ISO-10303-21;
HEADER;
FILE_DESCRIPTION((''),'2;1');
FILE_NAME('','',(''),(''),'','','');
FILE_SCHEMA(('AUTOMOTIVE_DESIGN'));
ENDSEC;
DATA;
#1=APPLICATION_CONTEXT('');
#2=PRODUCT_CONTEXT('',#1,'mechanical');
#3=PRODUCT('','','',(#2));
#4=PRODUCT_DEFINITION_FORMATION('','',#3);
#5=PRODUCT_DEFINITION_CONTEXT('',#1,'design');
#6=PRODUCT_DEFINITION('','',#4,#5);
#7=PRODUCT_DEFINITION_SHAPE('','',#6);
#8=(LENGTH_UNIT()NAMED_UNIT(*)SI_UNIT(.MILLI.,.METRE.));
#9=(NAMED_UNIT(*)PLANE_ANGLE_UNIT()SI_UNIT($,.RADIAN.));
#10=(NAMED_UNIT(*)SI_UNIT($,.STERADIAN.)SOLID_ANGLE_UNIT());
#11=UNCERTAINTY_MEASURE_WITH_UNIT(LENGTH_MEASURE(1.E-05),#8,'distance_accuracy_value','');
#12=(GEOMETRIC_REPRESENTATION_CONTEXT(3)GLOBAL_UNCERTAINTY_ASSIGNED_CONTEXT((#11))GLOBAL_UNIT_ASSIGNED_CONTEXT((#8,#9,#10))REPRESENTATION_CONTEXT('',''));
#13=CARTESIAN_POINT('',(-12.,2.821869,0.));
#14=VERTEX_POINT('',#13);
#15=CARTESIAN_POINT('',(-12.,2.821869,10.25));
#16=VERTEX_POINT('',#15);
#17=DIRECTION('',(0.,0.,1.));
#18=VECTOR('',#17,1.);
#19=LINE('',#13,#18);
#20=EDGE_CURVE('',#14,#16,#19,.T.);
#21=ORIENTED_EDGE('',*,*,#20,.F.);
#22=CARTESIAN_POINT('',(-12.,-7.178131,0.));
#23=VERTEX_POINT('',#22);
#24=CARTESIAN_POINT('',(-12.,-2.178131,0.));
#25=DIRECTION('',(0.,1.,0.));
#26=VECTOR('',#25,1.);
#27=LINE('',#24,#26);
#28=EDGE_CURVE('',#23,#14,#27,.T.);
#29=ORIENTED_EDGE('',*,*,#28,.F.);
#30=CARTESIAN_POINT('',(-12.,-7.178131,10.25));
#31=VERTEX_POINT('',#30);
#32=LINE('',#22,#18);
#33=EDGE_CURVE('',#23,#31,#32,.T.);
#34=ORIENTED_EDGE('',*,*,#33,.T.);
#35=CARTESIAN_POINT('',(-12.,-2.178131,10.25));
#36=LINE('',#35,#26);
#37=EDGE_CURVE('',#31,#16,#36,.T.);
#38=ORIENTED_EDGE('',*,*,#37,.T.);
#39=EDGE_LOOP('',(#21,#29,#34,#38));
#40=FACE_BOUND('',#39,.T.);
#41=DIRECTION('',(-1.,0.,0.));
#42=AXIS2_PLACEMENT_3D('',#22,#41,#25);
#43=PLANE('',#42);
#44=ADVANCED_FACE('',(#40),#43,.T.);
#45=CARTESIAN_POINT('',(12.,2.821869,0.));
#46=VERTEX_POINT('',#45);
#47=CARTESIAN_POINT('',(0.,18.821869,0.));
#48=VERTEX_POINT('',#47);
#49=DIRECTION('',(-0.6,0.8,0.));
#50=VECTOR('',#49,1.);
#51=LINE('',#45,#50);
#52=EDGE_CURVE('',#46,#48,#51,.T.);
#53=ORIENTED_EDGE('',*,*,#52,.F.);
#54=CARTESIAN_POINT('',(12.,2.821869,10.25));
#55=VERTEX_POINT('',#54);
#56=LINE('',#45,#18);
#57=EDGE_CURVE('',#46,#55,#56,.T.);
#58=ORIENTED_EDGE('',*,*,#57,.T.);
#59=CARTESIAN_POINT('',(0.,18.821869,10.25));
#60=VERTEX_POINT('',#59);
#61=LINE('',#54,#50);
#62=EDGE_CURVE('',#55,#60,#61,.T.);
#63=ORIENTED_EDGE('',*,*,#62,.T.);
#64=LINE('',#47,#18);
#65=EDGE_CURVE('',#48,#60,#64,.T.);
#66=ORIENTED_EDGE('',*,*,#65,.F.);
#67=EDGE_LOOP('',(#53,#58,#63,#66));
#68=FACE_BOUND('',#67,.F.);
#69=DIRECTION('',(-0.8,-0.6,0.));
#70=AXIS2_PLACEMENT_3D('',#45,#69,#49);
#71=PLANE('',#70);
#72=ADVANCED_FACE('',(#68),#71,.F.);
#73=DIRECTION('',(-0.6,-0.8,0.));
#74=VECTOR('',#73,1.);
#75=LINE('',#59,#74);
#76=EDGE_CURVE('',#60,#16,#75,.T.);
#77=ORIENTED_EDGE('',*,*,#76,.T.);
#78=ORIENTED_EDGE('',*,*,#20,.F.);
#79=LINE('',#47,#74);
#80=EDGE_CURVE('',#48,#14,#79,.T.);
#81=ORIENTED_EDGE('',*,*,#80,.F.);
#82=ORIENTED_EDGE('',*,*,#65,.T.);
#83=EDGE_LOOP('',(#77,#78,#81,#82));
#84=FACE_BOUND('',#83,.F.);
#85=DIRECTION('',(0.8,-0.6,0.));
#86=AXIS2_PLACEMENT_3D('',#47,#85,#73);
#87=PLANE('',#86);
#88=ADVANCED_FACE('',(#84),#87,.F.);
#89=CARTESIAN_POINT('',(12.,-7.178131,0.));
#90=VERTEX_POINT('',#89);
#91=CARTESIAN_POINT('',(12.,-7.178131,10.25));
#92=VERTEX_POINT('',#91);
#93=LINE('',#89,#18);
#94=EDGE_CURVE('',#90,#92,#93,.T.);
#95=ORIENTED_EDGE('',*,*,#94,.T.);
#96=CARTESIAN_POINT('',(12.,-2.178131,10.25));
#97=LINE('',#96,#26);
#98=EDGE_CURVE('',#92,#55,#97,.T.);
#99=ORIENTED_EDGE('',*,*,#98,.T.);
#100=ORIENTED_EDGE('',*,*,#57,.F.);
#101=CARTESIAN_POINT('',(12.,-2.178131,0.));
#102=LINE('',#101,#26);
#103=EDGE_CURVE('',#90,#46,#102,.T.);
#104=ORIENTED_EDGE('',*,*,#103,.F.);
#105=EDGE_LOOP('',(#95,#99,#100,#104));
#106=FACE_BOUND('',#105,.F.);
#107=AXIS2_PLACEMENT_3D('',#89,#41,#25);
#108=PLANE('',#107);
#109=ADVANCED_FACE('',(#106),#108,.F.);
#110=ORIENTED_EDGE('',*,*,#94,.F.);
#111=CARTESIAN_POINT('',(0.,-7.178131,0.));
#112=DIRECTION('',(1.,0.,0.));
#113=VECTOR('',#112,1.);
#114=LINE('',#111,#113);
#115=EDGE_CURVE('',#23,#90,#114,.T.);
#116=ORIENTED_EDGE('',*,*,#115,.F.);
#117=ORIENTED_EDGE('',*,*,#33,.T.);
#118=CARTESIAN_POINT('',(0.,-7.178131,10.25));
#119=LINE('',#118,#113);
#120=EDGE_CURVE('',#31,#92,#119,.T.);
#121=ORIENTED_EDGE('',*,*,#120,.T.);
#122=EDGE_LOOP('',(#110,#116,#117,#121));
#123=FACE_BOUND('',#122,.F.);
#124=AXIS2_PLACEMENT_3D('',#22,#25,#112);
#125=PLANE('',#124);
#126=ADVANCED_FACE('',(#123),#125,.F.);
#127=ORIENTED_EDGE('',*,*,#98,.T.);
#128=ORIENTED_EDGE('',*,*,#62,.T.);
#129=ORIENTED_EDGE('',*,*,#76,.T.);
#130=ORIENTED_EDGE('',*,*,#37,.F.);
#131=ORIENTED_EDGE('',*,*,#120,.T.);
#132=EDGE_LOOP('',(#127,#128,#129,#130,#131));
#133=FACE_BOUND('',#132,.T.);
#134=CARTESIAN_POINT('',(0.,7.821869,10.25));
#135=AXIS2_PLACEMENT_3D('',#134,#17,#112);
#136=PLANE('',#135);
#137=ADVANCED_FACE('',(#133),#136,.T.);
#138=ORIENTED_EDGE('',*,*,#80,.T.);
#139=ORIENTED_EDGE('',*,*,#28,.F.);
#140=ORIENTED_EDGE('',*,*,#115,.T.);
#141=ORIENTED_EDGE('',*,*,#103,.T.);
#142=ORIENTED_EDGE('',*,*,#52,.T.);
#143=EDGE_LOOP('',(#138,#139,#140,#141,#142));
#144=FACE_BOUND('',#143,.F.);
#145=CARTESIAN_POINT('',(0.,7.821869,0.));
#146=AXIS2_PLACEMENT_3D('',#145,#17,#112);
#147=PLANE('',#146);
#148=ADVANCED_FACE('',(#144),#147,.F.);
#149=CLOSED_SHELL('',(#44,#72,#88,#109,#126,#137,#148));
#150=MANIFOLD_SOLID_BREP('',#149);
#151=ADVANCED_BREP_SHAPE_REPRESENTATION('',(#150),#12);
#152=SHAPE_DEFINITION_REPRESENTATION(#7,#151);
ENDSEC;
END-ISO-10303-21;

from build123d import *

# Parameters (mm, degrees)
F0_W     = 24
F0_H     = 10
F1_DEPTH = 10.25


with BuildPart() as f1:
    # F0 (on Top) → F1 (new body)
    with BuildSketch(Plane.XY):
        Polygon((-12, 2.821869), (12, 2.821869), (0, 18.821869), align=None)
        with Locations((0, -2.178131)):
            Rectangle(F0_W, F0_H)
    extrude(amount=F1_DEPTH)


solid = f1.part
